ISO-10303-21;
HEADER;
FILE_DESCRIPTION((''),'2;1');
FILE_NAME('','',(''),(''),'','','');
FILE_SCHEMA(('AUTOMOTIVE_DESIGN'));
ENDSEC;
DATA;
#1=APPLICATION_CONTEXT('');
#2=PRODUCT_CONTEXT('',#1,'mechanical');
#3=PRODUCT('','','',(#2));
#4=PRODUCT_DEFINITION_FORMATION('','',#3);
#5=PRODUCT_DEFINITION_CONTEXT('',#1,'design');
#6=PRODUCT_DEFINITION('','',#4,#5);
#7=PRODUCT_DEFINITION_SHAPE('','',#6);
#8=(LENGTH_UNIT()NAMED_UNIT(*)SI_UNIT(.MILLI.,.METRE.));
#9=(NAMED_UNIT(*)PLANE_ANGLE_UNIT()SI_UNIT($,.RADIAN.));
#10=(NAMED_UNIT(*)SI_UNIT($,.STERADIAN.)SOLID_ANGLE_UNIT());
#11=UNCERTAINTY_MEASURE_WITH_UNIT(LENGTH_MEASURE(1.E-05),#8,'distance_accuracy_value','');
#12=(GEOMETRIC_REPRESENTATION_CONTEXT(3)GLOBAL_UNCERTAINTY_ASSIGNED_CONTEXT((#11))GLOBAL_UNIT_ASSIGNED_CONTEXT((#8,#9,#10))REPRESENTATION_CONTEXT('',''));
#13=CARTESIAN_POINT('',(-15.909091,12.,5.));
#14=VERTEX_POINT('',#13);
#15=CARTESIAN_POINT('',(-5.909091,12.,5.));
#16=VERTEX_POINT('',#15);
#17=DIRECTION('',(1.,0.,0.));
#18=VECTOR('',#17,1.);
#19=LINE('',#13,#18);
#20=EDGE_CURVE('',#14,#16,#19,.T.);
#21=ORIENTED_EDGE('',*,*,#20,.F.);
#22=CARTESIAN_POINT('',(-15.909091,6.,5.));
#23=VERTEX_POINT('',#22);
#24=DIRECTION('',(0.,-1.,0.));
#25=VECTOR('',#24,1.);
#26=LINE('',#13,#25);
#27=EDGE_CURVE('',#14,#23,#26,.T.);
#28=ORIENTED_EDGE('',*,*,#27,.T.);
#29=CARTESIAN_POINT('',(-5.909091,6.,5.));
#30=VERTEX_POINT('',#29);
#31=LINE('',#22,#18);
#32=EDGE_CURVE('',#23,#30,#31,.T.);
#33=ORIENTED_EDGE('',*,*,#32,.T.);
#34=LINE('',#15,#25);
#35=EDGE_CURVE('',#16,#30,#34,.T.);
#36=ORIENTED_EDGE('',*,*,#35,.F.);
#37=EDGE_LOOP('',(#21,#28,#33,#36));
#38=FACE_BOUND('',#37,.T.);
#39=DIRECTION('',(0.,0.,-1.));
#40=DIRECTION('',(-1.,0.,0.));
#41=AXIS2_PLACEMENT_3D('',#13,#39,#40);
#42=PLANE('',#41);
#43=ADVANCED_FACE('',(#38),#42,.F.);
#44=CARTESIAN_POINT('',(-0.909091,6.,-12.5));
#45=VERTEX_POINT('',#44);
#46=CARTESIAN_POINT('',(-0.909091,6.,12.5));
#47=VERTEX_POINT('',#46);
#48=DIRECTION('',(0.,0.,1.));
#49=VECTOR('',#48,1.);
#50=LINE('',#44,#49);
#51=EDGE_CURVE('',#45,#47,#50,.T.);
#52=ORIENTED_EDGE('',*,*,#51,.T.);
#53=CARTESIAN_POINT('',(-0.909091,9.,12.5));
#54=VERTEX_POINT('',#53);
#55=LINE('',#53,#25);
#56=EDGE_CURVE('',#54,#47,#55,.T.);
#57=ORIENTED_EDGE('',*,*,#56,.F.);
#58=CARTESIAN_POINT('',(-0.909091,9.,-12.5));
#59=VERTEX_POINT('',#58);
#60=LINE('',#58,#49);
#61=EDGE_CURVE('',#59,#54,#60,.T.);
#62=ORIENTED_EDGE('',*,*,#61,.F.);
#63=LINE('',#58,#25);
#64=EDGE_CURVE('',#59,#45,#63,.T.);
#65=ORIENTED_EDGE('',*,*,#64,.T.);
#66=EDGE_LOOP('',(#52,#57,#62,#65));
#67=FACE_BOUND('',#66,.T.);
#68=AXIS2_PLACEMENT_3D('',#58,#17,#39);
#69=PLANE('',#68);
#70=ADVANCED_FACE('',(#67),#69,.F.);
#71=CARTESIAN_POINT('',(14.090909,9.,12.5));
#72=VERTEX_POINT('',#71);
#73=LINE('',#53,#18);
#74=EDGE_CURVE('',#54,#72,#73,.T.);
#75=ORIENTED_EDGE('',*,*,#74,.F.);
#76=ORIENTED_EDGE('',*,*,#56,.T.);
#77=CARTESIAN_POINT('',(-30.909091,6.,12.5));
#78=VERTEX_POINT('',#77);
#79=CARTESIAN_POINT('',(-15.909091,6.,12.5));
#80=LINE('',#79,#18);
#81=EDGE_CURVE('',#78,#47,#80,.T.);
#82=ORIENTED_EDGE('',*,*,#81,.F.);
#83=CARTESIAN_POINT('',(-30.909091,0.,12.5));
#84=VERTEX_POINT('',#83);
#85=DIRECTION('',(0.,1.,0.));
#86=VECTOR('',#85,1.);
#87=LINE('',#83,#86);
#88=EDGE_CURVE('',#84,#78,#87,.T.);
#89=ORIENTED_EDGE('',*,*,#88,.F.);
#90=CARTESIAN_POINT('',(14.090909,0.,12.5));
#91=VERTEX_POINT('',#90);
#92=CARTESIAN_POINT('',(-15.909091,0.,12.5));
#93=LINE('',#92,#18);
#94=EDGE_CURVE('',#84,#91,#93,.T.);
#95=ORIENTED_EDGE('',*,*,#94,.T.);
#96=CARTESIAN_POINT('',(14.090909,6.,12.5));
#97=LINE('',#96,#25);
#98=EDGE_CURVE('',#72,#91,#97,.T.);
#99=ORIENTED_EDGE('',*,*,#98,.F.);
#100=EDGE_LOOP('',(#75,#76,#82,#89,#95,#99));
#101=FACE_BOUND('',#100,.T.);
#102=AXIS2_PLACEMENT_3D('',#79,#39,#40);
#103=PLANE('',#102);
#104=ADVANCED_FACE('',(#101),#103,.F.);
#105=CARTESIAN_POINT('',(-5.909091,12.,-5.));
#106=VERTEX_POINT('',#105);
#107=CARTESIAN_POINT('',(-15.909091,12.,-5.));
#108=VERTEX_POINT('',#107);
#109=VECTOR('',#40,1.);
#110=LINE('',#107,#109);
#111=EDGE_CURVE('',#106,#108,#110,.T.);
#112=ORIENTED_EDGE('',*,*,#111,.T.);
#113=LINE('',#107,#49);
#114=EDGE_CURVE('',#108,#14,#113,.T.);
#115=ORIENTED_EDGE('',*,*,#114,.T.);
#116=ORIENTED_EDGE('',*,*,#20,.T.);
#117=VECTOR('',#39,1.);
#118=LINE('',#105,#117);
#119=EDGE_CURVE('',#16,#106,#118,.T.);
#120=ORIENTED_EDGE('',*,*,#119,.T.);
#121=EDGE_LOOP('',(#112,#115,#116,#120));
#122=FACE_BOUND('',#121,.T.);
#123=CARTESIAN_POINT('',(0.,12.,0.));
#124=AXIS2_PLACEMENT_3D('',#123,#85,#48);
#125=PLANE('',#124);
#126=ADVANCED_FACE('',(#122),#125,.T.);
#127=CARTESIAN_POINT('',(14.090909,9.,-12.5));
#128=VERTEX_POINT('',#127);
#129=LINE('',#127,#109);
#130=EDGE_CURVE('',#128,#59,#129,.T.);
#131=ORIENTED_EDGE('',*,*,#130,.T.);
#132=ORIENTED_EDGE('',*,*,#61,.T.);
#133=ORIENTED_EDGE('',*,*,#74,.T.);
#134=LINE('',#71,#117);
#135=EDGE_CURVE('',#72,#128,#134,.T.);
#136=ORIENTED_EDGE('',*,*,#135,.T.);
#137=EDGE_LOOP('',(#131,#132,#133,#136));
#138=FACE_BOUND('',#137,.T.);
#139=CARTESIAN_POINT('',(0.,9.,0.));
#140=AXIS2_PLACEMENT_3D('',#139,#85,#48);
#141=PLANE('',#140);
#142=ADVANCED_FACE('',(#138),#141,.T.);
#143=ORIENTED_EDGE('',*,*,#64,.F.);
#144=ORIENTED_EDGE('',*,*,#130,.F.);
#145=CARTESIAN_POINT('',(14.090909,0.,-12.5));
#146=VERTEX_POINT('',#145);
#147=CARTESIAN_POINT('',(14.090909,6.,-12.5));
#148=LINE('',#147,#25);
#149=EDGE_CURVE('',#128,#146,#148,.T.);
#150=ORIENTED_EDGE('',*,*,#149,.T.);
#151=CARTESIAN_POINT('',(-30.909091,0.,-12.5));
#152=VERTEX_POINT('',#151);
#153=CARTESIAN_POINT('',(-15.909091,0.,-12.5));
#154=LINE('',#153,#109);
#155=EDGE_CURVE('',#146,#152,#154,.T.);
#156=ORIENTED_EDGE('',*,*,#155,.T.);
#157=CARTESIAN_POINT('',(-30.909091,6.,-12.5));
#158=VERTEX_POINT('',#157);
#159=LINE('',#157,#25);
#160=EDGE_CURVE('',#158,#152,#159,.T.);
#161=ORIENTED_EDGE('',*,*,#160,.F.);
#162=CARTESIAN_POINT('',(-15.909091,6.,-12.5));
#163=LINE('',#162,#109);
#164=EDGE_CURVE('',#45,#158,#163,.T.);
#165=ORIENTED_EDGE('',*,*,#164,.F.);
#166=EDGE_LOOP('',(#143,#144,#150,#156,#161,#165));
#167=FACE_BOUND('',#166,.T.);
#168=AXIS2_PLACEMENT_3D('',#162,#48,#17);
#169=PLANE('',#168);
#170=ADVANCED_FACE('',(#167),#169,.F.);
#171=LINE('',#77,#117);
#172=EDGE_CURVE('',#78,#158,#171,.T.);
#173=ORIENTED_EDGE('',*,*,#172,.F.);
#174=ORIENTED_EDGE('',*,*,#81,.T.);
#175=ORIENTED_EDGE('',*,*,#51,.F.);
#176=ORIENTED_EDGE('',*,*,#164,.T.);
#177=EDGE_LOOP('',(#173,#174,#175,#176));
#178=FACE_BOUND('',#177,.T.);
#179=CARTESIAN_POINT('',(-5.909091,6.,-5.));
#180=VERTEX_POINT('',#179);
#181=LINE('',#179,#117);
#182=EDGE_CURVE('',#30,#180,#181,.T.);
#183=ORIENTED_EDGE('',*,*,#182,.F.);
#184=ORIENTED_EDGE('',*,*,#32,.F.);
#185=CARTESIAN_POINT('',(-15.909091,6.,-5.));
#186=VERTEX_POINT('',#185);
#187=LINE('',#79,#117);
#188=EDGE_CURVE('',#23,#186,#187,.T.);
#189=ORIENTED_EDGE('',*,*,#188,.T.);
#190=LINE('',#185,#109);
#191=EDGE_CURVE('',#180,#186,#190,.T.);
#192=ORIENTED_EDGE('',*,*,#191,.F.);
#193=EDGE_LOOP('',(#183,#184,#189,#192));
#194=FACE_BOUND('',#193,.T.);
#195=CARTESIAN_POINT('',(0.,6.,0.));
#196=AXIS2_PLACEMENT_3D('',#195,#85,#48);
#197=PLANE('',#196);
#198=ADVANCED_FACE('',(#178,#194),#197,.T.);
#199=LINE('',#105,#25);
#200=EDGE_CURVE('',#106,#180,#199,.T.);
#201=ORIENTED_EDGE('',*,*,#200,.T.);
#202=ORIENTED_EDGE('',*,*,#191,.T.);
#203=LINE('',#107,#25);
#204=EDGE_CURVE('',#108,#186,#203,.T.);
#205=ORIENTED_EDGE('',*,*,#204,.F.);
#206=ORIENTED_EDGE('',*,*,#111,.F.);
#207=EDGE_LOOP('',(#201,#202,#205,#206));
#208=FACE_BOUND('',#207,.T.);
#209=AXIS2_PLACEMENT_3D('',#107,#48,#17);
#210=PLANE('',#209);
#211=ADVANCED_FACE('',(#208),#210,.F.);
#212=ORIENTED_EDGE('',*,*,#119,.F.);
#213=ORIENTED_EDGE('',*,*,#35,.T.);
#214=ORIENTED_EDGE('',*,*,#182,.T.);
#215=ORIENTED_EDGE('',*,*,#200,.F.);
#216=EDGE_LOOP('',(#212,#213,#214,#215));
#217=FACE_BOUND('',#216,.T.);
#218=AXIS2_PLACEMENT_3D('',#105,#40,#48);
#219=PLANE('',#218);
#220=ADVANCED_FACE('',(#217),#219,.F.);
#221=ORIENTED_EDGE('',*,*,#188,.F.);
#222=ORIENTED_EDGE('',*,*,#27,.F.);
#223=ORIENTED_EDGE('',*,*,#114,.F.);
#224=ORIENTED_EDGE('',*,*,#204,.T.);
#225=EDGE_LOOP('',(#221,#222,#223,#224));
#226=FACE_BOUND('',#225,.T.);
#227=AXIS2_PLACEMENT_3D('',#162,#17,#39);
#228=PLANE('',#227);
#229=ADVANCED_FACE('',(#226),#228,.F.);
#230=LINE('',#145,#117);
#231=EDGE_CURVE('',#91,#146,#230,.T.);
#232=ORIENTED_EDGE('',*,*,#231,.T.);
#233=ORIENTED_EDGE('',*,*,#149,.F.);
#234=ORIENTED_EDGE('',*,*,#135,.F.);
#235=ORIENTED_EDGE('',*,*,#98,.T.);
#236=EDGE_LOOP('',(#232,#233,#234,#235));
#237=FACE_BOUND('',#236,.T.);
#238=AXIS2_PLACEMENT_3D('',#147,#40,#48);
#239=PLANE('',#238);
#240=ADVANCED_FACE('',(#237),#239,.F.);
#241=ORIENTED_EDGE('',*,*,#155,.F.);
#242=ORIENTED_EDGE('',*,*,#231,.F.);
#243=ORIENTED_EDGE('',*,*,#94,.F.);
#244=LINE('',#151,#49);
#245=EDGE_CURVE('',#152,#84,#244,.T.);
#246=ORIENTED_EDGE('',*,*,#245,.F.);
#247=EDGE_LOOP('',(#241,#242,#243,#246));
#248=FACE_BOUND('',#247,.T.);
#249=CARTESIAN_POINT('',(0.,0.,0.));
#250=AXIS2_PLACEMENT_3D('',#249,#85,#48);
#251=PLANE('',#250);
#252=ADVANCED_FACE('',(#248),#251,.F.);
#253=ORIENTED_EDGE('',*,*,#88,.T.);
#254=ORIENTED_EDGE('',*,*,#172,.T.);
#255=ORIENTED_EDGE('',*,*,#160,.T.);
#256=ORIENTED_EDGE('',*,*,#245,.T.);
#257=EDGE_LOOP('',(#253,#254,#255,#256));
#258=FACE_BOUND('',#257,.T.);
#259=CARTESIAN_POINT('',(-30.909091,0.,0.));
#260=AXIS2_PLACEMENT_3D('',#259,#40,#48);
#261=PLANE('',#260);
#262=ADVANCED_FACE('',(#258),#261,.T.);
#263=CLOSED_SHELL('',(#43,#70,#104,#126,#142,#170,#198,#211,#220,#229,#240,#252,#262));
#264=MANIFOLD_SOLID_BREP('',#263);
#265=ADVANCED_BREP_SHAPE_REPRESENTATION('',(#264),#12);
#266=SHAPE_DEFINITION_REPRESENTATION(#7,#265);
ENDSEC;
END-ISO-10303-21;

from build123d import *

# Parameters (mm, degrees)
SKETCH6_W           = 30
SKETCH6_H           = 25
BOSS_EXTRUDE6_DEPTH = 6
SKETCH7_W           = 15
SKETCH7_H           = 25
BOSS_EXTRUDE7_DEPTH = 3
SKETCH8_W           = 10
SKETCH8_H           = 10
BOSS_EXTRUDE8_DEPTH = 6
SKETCH9_W           = 25
SKETCH9_H           = 6
BOSS_EXTRUDE9_DEPTH = 15


with BuildPart() as part:
    # Sketch6 → Boss-Extrude6 (new body)
    with BuildSketch(Plane(origin=(0, 0, 0), x_dir=(1, 0, 0), z_dir=(0, 1, 0))):
        with Locations((-0.909090909, 0)):
            Rectangle(SKETCH6_W, SKETCH6_H)
    extrude(amount=BOSS_EXTRUDE6_DEPTH)

    # Sketch7 → Boss-Extrude7 (add)
    with BuildSketch(Plane(origin=(0, 6, 0), x_dir=(1, 0, 0), z_dir=(0, 1, 0))):
        with Locations((6.590909091, 0)):
            Rectangle(SKETCH7_W, SKETCH7_H)
    extrude(amount=BOSS_EXTRUDE7_DEPTH)

    # Sketch8 → Boss-Extrude8 (add)
    with BuildSketch(Plane(origin=(0, 6, 0), x_dir=(1, 0, 0), z_dir=(0, 1, 0))):
        with Locations((-10.909090909, 0)):
            Rectangle(SKETCH8_W, SKETCH8_H)
    extrude(amount=BOSS_EXTRUDE8_DEPTH)

    # Sketch9 → Boss-Extrude9 (add)
    with BuildSketch(Plane.ZY.offset(15.909090909)):
        with Locations((0, 3)):
            Rectangle(SKETCH9_W, SKETCH9_H)
    extrude(amount=BOSS_EXTRUDE9_DEPTH)


solid = part.part
